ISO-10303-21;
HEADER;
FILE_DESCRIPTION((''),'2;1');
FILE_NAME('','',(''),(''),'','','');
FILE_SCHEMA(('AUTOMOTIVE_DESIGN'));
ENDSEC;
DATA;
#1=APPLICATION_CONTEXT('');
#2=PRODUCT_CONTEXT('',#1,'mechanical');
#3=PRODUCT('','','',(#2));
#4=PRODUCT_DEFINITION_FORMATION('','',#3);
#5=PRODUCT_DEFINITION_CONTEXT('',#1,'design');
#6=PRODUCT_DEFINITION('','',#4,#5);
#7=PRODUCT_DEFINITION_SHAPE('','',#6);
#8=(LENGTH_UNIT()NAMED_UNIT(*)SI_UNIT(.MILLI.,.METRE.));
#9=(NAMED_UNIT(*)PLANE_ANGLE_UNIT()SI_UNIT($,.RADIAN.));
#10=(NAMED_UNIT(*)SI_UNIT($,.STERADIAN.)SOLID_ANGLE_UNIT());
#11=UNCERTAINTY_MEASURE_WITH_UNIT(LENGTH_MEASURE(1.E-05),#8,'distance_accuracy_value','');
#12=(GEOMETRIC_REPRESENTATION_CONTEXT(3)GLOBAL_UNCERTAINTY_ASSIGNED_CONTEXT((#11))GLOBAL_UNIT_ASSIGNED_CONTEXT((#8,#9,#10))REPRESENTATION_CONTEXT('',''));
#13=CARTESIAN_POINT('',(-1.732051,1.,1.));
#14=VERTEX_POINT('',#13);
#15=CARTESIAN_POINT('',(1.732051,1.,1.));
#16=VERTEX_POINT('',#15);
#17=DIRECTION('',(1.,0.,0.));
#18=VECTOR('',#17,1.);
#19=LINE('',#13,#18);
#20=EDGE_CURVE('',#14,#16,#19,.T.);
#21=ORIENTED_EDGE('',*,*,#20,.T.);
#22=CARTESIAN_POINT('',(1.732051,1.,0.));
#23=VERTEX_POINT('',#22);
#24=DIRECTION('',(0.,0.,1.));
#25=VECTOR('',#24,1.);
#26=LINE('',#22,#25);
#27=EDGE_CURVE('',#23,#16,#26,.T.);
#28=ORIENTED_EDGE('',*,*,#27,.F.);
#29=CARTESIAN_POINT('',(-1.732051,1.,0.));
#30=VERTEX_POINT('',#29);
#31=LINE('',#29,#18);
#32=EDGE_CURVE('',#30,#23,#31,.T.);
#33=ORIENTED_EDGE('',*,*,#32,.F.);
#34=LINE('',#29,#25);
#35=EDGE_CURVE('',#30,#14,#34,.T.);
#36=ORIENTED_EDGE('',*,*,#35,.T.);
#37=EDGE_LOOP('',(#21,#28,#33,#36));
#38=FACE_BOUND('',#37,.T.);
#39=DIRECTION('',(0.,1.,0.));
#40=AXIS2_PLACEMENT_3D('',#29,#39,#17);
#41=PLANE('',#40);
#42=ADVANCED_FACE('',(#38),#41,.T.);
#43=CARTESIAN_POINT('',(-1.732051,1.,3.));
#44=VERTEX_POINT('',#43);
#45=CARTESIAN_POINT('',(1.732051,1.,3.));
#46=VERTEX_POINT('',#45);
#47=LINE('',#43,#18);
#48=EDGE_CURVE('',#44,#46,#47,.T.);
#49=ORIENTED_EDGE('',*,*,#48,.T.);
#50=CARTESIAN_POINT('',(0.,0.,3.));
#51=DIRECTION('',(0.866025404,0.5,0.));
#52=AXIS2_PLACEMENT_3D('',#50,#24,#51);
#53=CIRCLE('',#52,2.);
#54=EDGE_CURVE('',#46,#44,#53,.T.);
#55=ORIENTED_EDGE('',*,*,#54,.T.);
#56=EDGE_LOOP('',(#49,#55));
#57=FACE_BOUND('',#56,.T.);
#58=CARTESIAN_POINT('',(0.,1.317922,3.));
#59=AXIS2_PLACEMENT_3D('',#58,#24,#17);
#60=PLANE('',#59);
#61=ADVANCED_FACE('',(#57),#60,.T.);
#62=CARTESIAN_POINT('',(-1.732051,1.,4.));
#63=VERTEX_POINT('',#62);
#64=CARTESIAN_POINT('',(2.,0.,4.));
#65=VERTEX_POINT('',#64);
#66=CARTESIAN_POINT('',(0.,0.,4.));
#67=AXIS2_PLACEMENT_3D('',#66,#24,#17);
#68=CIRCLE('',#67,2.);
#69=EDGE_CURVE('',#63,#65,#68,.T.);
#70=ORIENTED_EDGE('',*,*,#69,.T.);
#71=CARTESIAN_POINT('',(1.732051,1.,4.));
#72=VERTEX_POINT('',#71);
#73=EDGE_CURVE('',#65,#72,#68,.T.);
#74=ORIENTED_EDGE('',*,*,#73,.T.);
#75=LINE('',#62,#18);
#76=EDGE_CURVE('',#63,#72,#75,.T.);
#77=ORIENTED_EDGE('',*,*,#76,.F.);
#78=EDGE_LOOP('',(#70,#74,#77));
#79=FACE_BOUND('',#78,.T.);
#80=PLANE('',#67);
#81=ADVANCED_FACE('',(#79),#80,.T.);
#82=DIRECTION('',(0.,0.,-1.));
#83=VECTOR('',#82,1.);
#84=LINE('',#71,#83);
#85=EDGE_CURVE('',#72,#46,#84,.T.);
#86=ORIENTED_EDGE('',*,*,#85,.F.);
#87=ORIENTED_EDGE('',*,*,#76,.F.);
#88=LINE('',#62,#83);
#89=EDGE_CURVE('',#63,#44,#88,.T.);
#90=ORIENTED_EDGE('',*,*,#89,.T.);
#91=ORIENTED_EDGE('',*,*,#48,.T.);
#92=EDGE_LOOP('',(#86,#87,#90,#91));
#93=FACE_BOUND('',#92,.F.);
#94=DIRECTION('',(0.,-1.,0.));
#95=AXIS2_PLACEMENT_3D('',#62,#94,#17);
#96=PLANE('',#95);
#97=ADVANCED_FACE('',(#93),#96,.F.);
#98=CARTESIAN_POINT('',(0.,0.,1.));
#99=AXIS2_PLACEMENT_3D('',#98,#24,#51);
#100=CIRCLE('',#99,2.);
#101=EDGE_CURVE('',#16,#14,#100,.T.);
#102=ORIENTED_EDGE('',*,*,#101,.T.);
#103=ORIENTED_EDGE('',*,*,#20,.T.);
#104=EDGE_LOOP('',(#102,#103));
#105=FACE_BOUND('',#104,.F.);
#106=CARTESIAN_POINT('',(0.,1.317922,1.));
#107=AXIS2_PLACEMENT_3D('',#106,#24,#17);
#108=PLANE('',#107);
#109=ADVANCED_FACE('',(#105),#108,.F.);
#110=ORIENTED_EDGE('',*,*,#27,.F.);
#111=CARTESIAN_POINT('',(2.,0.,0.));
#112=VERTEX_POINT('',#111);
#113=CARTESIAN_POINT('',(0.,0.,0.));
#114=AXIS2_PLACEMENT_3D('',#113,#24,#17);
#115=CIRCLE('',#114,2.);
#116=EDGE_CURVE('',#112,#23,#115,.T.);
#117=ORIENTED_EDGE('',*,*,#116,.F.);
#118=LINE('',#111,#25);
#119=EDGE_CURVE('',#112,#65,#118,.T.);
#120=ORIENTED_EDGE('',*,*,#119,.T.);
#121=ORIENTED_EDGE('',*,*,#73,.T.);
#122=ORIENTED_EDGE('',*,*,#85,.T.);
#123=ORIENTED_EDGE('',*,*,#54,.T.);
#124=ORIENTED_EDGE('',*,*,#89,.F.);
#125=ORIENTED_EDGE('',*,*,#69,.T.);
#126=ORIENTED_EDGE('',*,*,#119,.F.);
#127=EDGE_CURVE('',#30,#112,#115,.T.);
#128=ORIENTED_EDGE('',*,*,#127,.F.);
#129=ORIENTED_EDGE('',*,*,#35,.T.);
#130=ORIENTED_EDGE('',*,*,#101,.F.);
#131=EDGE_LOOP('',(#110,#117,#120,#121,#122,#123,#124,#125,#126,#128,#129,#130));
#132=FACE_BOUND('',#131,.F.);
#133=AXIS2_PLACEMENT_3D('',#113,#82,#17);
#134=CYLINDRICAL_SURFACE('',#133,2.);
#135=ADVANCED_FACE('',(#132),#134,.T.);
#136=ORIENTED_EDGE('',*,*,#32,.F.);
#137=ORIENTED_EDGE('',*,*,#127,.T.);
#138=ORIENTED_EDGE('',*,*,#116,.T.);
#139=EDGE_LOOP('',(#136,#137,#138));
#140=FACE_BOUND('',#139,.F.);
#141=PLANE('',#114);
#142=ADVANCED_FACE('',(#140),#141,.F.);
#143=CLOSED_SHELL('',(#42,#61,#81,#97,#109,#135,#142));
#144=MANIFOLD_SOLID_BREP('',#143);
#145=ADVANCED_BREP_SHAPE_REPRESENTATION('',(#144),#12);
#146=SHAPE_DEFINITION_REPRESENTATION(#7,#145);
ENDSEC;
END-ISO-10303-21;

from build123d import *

# Parameters (mm, degrees)
SKETCH1_R           = 2
BOSS_EXTRUDE1_DEPTH = 4
CUT_EXTRUDE1_DEPTH  = 1
CUT_EXTRUDE2_DEPTH  = 1


with BuildPart() as part:
    # Sketch1 → Boss-Extrude1 (new body)
    with BuildSketch(Plane.XY):
        Circle(SKETCH1_R)
    extrude(amount=BOSS_EXTRUDE1_DEPTH)

    # Sketch2 → Cut-Extrude1 (cut)
    with BuildSketch(Plane.XY.offset(4)):
        with BuildLine():
            Line((-1.732050808, 1), (1.732050808, 1))
            ThreePointArc((1.732050808, 1), (0, 2), (-1.732050808, 1))
        make_face()
    extrude(amount=-CUT_EXTRUDE1_DEPTH, mode=Mode.SUBTRACT)

    # Sketch3 → Cut-Extrude2 (cut)
    with BuildSketch(Plane(origin=(0, 0, 0), x_dir=(-1, 0, 0), z_dir=(0, 0, -1))):
        with BuildLine():
            Line((1.732050808, 1), (-1.732050808, 1))
            ThreePointArc((-1.732050808, 1), (0, 2), (1.732050808, 1))
        make_face()
    extrude(amount=-CUT_EXTRUDE2_DEPTH, mode=Mode.SUBTRACT)


solid = part.part
